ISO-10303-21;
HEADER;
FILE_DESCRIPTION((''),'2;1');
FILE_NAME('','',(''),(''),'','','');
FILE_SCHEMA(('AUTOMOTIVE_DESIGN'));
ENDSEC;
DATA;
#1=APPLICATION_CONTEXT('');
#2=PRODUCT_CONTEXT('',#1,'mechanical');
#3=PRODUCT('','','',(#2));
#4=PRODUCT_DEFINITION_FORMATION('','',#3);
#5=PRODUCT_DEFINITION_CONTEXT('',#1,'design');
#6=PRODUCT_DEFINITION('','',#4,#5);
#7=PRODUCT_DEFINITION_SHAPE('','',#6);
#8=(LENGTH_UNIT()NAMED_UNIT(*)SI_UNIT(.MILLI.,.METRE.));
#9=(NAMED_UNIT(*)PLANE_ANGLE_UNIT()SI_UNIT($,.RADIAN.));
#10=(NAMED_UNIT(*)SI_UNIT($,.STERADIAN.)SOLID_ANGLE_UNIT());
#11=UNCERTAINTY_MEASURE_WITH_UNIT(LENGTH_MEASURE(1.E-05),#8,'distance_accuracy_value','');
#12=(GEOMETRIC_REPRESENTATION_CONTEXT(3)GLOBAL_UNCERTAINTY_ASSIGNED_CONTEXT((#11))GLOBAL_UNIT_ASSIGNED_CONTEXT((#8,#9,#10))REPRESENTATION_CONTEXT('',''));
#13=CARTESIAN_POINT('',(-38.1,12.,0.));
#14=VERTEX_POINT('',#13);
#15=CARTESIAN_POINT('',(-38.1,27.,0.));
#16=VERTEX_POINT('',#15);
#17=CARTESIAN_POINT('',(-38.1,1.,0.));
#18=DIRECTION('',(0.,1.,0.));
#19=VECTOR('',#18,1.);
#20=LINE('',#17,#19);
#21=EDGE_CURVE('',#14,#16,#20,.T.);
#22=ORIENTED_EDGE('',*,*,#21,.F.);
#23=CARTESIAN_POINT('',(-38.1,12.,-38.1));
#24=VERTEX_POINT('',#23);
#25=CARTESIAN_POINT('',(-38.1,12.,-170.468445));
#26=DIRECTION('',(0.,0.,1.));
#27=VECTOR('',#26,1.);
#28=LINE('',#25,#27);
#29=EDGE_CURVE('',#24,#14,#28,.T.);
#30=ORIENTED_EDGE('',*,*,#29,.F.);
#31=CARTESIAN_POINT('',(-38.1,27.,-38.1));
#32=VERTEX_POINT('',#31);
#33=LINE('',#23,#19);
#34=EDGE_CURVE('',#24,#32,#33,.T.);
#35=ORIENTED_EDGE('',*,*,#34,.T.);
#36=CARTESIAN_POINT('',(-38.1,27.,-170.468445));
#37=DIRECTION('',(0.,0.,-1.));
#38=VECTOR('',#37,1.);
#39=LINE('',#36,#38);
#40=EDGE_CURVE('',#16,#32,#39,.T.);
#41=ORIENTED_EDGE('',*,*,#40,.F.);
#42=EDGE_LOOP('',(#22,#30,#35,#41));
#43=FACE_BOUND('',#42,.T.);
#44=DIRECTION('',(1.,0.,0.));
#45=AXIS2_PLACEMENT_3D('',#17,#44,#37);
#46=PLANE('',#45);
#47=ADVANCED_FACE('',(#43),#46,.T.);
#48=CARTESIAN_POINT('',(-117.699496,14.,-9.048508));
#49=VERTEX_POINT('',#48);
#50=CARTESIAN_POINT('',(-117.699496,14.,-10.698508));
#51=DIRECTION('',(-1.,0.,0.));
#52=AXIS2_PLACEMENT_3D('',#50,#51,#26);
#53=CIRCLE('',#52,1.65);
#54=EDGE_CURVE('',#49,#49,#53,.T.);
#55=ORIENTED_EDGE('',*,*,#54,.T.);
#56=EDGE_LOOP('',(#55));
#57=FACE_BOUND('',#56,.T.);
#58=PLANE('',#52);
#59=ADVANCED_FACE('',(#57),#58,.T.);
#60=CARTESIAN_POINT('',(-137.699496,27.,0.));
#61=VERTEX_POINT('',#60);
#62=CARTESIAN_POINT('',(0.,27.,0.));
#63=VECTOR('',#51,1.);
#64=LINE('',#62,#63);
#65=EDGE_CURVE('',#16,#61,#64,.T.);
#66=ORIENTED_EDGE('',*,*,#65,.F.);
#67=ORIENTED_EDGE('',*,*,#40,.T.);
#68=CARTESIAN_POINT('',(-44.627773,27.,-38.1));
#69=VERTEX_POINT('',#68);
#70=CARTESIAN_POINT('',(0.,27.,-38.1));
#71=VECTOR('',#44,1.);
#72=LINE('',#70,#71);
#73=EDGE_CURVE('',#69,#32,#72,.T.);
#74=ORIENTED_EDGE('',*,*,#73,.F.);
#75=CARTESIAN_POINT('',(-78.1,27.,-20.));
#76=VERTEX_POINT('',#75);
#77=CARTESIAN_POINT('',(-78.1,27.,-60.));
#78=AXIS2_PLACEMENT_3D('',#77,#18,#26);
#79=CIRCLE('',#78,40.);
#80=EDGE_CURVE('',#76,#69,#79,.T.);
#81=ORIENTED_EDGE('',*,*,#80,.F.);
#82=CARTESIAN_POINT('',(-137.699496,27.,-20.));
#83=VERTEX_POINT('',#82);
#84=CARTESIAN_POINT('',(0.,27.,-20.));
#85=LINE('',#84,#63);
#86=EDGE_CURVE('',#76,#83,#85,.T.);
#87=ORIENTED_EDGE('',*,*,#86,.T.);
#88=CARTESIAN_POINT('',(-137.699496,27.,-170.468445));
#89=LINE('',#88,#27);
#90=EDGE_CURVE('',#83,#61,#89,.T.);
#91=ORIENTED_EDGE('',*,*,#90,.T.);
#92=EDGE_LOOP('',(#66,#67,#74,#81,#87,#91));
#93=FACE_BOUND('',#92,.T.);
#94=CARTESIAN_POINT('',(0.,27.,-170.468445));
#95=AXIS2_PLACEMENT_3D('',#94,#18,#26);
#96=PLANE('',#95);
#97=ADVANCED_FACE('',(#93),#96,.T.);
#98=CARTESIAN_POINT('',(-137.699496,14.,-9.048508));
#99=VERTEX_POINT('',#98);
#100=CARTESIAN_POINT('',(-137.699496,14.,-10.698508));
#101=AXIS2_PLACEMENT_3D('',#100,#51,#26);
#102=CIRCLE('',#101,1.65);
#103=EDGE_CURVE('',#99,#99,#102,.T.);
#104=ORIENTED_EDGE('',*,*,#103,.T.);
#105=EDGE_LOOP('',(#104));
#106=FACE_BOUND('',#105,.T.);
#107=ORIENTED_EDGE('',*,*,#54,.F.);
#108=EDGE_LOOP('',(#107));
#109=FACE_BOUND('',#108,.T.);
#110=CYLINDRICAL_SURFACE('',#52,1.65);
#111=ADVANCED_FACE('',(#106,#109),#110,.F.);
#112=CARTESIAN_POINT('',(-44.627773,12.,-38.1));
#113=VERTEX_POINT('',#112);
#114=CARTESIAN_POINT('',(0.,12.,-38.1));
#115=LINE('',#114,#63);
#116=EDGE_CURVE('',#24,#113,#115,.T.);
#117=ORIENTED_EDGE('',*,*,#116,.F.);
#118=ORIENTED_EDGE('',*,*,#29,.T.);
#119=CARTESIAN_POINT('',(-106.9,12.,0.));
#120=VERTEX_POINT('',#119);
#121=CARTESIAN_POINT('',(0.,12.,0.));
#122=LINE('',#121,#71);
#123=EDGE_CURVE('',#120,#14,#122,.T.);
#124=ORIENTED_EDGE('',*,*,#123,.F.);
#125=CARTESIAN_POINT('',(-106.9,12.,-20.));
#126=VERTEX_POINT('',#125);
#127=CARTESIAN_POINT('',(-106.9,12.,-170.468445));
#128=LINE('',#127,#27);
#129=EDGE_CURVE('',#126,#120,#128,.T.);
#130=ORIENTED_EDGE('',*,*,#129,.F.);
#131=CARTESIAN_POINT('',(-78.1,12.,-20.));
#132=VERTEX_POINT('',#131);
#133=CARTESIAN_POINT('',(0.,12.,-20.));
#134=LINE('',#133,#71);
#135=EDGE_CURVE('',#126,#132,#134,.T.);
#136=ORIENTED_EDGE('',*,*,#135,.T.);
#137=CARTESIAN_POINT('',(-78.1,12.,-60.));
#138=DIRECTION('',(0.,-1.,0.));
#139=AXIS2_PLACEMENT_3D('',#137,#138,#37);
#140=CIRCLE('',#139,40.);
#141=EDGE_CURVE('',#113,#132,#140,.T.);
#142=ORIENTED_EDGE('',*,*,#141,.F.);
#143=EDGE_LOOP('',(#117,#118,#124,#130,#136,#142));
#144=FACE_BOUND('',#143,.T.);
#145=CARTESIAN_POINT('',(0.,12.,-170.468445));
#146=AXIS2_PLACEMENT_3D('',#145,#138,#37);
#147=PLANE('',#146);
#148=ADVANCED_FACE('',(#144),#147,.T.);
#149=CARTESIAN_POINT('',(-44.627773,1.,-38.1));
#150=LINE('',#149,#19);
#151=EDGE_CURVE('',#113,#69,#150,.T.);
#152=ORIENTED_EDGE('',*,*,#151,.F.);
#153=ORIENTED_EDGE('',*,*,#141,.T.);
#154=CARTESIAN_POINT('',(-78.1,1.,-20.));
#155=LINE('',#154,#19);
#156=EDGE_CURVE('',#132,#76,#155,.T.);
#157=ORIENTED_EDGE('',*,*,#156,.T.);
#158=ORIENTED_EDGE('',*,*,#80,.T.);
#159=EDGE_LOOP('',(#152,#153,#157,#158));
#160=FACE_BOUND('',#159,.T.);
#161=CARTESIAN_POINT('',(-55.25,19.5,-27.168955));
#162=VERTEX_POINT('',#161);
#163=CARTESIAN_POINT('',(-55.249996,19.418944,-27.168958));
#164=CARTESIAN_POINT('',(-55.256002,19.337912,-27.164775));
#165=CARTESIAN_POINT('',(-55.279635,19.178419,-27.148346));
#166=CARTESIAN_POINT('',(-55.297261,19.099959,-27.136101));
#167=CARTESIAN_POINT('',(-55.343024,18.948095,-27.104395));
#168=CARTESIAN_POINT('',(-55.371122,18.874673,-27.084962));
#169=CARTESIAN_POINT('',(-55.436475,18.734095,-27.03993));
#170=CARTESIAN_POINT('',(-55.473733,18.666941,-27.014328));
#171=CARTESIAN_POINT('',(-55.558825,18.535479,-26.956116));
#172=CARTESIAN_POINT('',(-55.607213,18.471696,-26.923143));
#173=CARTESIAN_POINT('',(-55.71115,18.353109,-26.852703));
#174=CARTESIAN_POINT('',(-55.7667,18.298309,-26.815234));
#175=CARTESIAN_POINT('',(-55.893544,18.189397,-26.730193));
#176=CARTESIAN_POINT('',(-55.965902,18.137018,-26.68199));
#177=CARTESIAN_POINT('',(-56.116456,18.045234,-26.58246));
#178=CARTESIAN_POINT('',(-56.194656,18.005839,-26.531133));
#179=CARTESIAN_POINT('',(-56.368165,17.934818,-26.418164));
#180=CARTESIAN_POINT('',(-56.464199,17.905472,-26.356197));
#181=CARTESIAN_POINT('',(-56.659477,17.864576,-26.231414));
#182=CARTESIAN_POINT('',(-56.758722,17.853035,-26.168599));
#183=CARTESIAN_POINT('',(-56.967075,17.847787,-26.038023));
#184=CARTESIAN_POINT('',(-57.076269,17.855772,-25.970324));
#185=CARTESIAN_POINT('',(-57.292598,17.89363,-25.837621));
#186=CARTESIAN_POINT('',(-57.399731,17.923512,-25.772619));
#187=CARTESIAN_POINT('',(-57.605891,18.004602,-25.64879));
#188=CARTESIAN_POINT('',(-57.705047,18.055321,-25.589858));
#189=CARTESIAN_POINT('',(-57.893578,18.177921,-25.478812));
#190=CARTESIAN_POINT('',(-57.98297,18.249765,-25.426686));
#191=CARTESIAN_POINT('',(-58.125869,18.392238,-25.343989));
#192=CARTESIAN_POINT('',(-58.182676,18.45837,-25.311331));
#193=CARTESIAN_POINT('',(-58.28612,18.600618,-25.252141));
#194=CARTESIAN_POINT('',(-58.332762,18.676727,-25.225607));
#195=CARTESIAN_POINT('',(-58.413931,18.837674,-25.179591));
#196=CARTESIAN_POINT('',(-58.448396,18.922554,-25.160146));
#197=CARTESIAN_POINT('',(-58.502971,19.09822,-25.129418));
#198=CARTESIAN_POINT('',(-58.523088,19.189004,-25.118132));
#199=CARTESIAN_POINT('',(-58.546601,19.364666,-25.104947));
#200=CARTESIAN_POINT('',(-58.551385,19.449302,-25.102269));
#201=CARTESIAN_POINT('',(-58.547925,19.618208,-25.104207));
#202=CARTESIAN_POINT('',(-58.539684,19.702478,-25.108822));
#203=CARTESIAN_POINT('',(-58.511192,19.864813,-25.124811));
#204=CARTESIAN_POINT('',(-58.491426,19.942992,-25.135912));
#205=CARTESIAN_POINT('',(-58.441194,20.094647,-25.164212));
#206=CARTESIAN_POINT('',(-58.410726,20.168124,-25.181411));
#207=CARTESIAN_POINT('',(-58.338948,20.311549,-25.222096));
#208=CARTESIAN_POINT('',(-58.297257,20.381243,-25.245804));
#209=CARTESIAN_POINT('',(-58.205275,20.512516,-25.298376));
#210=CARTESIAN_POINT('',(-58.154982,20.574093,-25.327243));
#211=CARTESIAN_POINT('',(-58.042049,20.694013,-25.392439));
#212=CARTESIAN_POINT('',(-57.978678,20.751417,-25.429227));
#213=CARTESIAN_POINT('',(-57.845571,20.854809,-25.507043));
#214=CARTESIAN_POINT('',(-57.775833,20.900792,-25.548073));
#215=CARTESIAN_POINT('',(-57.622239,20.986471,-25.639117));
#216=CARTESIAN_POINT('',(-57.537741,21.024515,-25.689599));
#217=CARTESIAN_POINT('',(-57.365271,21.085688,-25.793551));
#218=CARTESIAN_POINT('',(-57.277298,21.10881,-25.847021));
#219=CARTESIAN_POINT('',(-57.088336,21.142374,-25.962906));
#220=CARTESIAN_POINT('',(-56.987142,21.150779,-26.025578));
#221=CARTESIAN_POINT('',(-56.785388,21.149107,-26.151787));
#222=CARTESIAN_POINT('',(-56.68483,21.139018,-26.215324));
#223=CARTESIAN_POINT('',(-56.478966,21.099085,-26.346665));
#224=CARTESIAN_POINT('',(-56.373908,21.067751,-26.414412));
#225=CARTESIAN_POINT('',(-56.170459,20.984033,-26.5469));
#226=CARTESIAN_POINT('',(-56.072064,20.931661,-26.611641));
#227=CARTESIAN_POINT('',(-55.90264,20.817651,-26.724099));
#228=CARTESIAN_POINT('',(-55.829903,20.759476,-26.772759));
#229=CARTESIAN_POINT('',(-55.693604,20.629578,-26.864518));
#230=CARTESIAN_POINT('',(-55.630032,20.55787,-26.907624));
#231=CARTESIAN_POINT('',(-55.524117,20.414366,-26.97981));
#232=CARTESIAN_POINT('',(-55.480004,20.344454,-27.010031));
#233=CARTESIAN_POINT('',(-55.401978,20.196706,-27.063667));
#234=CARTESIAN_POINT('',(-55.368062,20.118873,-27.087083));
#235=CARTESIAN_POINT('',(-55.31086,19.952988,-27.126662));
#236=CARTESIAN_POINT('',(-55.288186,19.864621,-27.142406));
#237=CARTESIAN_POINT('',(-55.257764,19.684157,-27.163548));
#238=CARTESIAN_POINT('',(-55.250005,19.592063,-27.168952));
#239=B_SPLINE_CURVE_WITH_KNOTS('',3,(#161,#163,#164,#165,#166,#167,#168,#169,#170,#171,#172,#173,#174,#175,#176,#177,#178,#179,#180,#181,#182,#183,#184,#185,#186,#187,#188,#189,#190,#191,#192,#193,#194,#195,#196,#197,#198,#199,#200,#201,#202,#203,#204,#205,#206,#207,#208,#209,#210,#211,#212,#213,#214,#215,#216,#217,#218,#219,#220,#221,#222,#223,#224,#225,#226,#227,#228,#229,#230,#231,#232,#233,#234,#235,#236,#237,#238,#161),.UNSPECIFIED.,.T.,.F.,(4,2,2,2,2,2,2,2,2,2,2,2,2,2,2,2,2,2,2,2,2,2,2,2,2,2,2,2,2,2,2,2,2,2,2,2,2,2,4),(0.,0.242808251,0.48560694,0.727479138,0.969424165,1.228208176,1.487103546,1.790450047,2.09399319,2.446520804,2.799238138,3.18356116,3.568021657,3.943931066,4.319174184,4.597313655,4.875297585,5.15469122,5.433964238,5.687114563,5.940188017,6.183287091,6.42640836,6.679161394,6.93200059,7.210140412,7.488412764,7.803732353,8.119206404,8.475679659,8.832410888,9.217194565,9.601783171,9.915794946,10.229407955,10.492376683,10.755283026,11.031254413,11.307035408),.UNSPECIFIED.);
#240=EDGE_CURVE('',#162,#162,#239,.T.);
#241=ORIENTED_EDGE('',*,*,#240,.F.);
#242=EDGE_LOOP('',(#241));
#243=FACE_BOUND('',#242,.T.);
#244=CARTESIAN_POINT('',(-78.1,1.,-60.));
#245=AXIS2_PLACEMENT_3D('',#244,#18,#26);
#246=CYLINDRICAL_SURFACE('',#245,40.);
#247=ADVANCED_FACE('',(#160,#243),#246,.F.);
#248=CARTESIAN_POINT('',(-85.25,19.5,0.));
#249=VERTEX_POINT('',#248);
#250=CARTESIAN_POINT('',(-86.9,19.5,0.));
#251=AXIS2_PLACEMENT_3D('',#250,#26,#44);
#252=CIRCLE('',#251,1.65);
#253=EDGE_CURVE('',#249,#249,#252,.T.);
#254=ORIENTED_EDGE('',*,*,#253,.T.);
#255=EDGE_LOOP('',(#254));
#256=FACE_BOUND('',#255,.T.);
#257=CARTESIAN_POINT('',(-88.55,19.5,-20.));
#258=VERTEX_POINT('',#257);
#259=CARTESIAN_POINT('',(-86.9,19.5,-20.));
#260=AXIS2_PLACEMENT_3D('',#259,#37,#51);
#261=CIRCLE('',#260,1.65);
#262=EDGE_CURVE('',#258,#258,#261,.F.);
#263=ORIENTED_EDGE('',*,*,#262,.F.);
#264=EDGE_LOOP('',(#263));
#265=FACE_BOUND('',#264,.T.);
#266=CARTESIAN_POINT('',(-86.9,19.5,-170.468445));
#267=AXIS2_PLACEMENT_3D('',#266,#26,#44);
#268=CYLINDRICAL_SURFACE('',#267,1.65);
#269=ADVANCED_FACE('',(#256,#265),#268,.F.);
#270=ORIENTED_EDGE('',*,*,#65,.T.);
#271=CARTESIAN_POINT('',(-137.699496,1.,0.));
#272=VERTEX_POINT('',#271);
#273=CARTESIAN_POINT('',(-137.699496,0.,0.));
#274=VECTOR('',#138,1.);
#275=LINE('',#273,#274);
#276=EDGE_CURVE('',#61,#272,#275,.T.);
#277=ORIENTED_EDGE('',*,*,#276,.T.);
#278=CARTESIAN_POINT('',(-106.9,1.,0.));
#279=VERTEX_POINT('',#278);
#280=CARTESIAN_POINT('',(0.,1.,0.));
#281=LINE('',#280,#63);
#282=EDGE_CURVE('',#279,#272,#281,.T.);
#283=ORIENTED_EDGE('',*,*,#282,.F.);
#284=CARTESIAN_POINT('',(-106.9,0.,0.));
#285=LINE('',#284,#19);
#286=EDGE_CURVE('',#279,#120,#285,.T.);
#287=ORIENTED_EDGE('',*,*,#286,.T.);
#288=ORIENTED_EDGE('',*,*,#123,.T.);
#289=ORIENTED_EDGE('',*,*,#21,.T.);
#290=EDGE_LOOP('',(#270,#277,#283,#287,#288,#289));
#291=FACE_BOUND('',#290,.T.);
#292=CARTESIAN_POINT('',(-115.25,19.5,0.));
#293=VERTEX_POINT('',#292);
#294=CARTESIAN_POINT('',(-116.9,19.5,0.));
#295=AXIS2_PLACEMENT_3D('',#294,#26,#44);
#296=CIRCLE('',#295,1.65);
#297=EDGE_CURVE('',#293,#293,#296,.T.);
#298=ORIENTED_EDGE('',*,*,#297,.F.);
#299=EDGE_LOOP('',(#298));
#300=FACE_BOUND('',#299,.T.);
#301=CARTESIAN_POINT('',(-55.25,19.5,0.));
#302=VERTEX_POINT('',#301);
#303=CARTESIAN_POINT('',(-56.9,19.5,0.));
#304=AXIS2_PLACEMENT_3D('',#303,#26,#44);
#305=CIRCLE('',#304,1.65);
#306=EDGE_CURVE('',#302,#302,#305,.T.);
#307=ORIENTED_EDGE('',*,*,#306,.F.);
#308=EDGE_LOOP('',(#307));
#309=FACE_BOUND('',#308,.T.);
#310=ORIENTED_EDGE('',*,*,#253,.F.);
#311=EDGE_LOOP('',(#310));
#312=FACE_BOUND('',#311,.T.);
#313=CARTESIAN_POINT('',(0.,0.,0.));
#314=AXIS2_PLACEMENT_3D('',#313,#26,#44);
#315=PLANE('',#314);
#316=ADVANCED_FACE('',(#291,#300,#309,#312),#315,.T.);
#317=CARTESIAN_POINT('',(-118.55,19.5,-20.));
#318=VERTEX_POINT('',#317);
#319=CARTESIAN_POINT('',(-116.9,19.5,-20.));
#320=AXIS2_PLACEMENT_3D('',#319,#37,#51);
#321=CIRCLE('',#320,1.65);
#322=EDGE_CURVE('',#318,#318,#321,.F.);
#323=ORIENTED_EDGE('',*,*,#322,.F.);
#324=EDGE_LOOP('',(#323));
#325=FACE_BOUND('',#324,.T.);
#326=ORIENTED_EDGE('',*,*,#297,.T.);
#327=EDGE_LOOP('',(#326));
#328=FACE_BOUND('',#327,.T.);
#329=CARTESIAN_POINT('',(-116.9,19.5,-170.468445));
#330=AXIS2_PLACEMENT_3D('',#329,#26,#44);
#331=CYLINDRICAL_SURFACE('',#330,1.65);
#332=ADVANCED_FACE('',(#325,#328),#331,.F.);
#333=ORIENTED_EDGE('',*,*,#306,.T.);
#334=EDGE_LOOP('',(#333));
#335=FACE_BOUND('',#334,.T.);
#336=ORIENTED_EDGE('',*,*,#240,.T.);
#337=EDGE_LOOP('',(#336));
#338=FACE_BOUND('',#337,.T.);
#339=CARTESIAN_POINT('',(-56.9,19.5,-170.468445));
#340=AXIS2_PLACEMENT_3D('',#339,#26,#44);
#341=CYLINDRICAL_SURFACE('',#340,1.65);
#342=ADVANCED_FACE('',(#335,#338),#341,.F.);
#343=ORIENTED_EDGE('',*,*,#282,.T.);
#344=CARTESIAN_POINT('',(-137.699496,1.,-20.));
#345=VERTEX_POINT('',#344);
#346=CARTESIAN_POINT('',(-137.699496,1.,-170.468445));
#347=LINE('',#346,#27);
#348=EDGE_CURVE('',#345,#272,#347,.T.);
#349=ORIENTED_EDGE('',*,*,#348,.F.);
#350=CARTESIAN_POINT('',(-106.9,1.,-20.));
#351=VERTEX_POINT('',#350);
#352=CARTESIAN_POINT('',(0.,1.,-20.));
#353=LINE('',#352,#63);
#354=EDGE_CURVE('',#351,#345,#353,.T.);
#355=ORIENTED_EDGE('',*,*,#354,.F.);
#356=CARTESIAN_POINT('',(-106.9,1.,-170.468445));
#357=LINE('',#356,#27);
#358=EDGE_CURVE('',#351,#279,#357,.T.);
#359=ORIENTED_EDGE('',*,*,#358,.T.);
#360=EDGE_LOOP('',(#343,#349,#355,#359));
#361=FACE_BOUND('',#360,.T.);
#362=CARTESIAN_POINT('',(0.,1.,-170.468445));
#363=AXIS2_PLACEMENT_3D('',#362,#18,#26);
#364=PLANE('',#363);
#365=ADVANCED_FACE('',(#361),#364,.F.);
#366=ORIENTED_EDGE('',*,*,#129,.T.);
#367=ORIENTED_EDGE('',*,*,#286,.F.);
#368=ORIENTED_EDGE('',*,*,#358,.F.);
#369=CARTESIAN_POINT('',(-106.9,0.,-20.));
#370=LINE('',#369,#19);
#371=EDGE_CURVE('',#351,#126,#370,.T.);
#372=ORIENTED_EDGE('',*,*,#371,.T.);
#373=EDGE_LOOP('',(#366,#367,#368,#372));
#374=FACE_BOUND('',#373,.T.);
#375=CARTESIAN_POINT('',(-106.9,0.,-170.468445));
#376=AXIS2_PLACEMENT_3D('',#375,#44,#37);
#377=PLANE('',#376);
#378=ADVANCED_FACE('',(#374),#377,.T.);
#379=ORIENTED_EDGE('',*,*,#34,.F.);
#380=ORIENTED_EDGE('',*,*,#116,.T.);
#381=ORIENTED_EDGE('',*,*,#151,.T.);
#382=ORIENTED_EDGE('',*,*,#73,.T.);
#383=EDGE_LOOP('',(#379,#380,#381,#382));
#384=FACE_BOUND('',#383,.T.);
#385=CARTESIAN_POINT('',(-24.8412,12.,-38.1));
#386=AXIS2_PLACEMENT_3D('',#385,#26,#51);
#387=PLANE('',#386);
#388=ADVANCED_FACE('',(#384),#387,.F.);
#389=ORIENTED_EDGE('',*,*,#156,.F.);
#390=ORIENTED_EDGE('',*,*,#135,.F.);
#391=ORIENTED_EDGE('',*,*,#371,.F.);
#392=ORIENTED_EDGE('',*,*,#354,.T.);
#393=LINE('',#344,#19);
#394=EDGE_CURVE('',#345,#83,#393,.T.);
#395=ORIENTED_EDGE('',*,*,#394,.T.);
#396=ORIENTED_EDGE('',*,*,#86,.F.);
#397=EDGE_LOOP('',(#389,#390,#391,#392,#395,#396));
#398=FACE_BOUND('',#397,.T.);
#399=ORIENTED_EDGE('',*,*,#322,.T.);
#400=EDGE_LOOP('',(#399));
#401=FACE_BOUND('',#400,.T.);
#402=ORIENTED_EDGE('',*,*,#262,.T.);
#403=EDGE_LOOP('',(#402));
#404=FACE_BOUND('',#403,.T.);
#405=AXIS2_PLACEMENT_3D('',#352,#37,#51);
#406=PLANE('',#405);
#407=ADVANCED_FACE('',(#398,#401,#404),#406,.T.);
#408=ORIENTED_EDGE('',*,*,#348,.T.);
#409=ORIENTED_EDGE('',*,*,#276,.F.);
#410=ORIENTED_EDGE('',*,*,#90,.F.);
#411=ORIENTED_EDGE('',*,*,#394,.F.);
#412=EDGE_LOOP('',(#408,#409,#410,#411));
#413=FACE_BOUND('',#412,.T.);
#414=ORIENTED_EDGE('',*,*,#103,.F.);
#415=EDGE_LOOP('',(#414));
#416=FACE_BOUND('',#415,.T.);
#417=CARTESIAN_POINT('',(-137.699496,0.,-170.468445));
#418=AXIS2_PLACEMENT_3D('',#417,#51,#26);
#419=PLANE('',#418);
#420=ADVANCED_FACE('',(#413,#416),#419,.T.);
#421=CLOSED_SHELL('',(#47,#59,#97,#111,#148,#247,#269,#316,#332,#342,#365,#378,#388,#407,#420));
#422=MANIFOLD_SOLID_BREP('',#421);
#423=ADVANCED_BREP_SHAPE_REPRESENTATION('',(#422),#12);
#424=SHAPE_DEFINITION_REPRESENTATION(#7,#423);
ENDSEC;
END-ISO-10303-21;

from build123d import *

# Parameters (mm, degrees)
SKETCH1_R               = 1.65
BOSS_EXTRUDE1_DEPTH     = 38.1
SKETCH3_R               = 1.65
CUT_EXTRUDE1_DEPTH      = 20
CUT_EXTRUDE3_DEPTH      = 146.219699553
CUT_EXTRUDE3_DEPTH_BACK = 146.219699553


with BuildPart() as part:
    # Sketch1 → Boss-Extrude1 (new body)
    with BuildSketch(Plane.XY):
        Polygon((-7.90964601, 27), (-137.699495781, 27), (-137.699495781, 1), (-106.9, 1), (-106.9, 12), (-7.90964601, 12), align=None)
        with Locations((-116.9, 19.5)):
            Circle(SKETCH1_R, mode=Mode.SUBTRACT)
        with Locations((-86.9, 19.5)):
            Circle(SKETCH1_R, mode=Mode.SUBTRACT)
        with Locations((-56.9, 19.5)):
            Circle(SKETCH1_R, mode=Mode.SUBTRACT)
        with Locations((-26.9, 19.5)):
            Circle(SKETCH1_R, mode=Mode.SUBTRACT)
    extrude(amount=-BOSS_EXTRUDE1_DEPTH)

    # Sketch3 → Cut-Extrude1 (cut)
    with BuildSketch(Plane.ZY.offset(137.699495781)):
        with Locations((-10.698507709, 14)):
            Circle(SKETCH3_R)
    extrude(amount=-CUT_EXTRUDE1_DEPTH, mode=Mode.SUBTRACT)

    # Sketch4 → Cut-Extrude3 (cut, two sides: drawn at the far end of the back side and taken through both)
    with BuildSketch(Plane(origin=(0, 27, 0), x_dir=(1, 0, 0), z_dir=(0, 1, 0)).offset(-CUT_EXTRUDE3_DEPTH_BACK)):
        with BuildLine():
            ThreePointArc((-78.1, 20), (-59.07370241, 24.814775828), (-44.627772706, 38.1))
            Line((-44.627772706, 38.1), (-137.699495781, 38.1))
            Line((-137.699495781, 38.1), (-137.699495781, 20))
            Line((-137.699495781, 20), (-106.9, 20))
            Line((-106.9, 20), (-78.1, 20))
        make_face()
        Polygon((-38.1, 32.773477062), (-38.1, 28.046305235), (-38.1, 0), (-7.90964601, 0), (-7.90964601, 38.1), (-38.1, 38.1), align=None)
    extrude(amount=CUT_EXTRUDE3_DEPTH + CUT_EXTRUDE3_DEPTH_BACK, mode=Mode.SUBTRACT)


solid = part.part
